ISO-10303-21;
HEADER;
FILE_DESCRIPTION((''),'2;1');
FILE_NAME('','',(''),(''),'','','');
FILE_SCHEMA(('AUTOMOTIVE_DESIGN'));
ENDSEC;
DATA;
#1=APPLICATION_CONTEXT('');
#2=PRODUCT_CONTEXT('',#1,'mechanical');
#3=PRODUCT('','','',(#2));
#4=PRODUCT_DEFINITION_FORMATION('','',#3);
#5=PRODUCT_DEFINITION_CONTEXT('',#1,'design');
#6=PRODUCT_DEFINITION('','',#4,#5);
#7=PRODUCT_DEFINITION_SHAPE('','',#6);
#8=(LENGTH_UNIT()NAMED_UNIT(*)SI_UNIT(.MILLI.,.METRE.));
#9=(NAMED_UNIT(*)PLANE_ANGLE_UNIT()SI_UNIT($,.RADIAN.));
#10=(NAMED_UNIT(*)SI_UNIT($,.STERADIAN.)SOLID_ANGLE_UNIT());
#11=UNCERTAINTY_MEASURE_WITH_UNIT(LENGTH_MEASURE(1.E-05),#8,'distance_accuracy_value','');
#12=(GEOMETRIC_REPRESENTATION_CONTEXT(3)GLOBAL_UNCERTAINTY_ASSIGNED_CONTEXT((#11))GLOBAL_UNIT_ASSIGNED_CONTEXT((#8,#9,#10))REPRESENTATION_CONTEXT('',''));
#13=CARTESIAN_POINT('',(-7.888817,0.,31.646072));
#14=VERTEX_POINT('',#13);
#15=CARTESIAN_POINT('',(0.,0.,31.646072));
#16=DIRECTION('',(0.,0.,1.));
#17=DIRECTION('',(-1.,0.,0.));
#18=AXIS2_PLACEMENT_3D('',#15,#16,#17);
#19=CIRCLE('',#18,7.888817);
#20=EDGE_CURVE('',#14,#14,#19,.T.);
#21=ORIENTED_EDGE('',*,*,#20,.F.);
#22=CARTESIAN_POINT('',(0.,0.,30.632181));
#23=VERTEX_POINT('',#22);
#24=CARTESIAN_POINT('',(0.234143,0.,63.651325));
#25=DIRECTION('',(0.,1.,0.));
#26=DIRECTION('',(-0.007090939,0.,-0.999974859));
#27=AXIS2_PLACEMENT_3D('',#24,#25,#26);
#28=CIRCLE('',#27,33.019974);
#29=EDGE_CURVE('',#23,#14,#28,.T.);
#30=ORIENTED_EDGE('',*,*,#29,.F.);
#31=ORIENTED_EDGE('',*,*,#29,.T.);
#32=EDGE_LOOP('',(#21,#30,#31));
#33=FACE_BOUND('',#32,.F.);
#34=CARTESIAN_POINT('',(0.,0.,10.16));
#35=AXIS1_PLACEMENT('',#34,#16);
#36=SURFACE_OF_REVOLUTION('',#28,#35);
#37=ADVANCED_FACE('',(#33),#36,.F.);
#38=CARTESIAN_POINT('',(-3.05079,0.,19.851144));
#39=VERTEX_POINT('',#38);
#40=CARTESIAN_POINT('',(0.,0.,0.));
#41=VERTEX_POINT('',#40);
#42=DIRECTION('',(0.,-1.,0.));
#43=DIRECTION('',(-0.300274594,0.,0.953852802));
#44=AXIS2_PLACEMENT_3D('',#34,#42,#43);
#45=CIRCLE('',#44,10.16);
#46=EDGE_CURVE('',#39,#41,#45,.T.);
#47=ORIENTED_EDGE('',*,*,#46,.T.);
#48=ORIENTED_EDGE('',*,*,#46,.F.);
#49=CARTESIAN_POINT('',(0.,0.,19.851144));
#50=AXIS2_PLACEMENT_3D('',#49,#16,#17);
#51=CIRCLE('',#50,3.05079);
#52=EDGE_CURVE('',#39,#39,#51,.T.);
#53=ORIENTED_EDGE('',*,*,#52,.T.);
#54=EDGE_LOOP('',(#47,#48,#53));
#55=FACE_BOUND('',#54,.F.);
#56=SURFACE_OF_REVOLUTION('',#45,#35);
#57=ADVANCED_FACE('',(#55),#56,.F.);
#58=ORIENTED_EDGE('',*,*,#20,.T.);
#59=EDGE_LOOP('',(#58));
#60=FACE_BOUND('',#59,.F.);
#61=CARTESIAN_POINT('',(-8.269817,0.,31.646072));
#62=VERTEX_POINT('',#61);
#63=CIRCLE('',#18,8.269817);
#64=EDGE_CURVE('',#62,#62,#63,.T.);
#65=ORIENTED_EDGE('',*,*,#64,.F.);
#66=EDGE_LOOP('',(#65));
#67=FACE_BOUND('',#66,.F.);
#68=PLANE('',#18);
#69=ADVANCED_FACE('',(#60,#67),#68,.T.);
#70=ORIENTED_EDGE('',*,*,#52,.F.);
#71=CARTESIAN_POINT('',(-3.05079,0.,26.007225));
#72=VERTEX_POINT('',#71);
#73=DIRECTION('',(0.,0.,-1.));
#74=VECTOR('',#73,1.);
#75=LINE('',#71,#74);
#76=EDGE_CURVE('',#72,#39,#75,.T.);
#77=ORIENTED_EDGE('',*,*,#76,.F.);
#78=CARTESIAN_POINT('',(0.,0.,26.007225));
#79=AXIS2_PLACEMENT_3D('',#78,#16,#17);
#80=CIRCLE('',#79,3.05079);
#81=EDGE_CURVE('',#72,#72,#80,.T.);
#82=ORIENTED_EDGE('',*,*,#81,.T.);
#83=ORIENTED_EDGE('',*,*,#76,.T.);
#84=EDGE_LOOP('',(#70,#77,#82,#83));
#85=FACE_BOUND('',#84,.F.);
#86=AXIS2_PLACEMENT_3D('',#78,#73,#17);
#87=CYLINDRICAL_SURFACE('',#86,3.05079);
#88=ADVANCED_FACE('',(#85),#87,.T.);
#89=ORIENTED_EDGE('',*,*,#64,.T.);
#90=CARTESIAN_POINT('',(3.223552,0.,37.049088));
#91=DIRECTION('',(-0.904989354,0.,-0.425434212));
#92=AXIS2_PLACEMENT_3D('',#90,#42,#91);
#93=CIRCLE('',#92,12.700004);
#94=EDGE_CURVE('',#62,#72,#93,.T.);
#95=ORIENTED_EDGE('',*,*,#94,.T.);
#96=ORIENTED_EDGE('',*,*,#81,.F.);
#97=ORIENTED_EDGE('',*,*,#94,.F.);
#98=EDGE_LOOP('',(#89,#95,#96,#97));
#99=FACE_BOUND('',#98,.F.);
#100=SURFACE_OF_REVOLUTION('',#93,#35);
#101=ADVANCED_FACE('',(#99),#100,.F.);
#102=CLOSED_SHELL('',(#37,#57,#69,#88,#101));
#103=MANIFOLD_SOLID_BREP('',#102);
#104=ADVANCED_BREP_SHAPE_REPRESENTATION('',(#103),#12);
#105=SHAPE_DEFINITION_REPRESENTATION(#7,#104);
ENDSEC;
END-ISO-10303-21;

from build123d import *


with BuildPart() as f1:
    # F0 (on Front) → F1 (revolve)
    with BuildSketch(Plane.XZ):
        with BuildLine():
            ThreePointArc((-3.05079, 19.851144), (-10.042102, 8.616696), (0, 0))
            Line((0, 0), (0, 20.32))
            ThreePointArc((0, 20.32), (-1.543304, 20.202102), (-3.05079, 19.851144))
        make_face()
        with BuildLine():
            ThreePointArc((-3.05079, 19.851144), (-1.543304, 20.202102), (0, 20.32))
            Line((0, 20.32), (0, 24.765))
            ThreePointArc((0, 24.765), (-1.56584, 25.286782), (-3.05079, 26.007225))
            Line((-3.05079, 26.007225), (-3.05079, 19.851144))
        make_face()
        with BuildLine():
            ThreePointArc((-3.05079, 26.007225), (-1.56584, 25.286782), (0, 24.765))
            Line((0, 24.765), (0, 30.632181))
            ThreePointArc((0, 30.632181), (-3.975048, 30.900731), (-7.888817, 31.646072))
            Line((-7.888817, 31.646072), (-8.269817, 31.646072))
            ThreePointArc((-8.269817, 31.646072), (-6.096965, 28.422497), (-3.05079, 26.007225))
        make_face()
    revolve(axis=Axis((0, 0, 10.16), (0, 0, 1)))


solid = f1.part
